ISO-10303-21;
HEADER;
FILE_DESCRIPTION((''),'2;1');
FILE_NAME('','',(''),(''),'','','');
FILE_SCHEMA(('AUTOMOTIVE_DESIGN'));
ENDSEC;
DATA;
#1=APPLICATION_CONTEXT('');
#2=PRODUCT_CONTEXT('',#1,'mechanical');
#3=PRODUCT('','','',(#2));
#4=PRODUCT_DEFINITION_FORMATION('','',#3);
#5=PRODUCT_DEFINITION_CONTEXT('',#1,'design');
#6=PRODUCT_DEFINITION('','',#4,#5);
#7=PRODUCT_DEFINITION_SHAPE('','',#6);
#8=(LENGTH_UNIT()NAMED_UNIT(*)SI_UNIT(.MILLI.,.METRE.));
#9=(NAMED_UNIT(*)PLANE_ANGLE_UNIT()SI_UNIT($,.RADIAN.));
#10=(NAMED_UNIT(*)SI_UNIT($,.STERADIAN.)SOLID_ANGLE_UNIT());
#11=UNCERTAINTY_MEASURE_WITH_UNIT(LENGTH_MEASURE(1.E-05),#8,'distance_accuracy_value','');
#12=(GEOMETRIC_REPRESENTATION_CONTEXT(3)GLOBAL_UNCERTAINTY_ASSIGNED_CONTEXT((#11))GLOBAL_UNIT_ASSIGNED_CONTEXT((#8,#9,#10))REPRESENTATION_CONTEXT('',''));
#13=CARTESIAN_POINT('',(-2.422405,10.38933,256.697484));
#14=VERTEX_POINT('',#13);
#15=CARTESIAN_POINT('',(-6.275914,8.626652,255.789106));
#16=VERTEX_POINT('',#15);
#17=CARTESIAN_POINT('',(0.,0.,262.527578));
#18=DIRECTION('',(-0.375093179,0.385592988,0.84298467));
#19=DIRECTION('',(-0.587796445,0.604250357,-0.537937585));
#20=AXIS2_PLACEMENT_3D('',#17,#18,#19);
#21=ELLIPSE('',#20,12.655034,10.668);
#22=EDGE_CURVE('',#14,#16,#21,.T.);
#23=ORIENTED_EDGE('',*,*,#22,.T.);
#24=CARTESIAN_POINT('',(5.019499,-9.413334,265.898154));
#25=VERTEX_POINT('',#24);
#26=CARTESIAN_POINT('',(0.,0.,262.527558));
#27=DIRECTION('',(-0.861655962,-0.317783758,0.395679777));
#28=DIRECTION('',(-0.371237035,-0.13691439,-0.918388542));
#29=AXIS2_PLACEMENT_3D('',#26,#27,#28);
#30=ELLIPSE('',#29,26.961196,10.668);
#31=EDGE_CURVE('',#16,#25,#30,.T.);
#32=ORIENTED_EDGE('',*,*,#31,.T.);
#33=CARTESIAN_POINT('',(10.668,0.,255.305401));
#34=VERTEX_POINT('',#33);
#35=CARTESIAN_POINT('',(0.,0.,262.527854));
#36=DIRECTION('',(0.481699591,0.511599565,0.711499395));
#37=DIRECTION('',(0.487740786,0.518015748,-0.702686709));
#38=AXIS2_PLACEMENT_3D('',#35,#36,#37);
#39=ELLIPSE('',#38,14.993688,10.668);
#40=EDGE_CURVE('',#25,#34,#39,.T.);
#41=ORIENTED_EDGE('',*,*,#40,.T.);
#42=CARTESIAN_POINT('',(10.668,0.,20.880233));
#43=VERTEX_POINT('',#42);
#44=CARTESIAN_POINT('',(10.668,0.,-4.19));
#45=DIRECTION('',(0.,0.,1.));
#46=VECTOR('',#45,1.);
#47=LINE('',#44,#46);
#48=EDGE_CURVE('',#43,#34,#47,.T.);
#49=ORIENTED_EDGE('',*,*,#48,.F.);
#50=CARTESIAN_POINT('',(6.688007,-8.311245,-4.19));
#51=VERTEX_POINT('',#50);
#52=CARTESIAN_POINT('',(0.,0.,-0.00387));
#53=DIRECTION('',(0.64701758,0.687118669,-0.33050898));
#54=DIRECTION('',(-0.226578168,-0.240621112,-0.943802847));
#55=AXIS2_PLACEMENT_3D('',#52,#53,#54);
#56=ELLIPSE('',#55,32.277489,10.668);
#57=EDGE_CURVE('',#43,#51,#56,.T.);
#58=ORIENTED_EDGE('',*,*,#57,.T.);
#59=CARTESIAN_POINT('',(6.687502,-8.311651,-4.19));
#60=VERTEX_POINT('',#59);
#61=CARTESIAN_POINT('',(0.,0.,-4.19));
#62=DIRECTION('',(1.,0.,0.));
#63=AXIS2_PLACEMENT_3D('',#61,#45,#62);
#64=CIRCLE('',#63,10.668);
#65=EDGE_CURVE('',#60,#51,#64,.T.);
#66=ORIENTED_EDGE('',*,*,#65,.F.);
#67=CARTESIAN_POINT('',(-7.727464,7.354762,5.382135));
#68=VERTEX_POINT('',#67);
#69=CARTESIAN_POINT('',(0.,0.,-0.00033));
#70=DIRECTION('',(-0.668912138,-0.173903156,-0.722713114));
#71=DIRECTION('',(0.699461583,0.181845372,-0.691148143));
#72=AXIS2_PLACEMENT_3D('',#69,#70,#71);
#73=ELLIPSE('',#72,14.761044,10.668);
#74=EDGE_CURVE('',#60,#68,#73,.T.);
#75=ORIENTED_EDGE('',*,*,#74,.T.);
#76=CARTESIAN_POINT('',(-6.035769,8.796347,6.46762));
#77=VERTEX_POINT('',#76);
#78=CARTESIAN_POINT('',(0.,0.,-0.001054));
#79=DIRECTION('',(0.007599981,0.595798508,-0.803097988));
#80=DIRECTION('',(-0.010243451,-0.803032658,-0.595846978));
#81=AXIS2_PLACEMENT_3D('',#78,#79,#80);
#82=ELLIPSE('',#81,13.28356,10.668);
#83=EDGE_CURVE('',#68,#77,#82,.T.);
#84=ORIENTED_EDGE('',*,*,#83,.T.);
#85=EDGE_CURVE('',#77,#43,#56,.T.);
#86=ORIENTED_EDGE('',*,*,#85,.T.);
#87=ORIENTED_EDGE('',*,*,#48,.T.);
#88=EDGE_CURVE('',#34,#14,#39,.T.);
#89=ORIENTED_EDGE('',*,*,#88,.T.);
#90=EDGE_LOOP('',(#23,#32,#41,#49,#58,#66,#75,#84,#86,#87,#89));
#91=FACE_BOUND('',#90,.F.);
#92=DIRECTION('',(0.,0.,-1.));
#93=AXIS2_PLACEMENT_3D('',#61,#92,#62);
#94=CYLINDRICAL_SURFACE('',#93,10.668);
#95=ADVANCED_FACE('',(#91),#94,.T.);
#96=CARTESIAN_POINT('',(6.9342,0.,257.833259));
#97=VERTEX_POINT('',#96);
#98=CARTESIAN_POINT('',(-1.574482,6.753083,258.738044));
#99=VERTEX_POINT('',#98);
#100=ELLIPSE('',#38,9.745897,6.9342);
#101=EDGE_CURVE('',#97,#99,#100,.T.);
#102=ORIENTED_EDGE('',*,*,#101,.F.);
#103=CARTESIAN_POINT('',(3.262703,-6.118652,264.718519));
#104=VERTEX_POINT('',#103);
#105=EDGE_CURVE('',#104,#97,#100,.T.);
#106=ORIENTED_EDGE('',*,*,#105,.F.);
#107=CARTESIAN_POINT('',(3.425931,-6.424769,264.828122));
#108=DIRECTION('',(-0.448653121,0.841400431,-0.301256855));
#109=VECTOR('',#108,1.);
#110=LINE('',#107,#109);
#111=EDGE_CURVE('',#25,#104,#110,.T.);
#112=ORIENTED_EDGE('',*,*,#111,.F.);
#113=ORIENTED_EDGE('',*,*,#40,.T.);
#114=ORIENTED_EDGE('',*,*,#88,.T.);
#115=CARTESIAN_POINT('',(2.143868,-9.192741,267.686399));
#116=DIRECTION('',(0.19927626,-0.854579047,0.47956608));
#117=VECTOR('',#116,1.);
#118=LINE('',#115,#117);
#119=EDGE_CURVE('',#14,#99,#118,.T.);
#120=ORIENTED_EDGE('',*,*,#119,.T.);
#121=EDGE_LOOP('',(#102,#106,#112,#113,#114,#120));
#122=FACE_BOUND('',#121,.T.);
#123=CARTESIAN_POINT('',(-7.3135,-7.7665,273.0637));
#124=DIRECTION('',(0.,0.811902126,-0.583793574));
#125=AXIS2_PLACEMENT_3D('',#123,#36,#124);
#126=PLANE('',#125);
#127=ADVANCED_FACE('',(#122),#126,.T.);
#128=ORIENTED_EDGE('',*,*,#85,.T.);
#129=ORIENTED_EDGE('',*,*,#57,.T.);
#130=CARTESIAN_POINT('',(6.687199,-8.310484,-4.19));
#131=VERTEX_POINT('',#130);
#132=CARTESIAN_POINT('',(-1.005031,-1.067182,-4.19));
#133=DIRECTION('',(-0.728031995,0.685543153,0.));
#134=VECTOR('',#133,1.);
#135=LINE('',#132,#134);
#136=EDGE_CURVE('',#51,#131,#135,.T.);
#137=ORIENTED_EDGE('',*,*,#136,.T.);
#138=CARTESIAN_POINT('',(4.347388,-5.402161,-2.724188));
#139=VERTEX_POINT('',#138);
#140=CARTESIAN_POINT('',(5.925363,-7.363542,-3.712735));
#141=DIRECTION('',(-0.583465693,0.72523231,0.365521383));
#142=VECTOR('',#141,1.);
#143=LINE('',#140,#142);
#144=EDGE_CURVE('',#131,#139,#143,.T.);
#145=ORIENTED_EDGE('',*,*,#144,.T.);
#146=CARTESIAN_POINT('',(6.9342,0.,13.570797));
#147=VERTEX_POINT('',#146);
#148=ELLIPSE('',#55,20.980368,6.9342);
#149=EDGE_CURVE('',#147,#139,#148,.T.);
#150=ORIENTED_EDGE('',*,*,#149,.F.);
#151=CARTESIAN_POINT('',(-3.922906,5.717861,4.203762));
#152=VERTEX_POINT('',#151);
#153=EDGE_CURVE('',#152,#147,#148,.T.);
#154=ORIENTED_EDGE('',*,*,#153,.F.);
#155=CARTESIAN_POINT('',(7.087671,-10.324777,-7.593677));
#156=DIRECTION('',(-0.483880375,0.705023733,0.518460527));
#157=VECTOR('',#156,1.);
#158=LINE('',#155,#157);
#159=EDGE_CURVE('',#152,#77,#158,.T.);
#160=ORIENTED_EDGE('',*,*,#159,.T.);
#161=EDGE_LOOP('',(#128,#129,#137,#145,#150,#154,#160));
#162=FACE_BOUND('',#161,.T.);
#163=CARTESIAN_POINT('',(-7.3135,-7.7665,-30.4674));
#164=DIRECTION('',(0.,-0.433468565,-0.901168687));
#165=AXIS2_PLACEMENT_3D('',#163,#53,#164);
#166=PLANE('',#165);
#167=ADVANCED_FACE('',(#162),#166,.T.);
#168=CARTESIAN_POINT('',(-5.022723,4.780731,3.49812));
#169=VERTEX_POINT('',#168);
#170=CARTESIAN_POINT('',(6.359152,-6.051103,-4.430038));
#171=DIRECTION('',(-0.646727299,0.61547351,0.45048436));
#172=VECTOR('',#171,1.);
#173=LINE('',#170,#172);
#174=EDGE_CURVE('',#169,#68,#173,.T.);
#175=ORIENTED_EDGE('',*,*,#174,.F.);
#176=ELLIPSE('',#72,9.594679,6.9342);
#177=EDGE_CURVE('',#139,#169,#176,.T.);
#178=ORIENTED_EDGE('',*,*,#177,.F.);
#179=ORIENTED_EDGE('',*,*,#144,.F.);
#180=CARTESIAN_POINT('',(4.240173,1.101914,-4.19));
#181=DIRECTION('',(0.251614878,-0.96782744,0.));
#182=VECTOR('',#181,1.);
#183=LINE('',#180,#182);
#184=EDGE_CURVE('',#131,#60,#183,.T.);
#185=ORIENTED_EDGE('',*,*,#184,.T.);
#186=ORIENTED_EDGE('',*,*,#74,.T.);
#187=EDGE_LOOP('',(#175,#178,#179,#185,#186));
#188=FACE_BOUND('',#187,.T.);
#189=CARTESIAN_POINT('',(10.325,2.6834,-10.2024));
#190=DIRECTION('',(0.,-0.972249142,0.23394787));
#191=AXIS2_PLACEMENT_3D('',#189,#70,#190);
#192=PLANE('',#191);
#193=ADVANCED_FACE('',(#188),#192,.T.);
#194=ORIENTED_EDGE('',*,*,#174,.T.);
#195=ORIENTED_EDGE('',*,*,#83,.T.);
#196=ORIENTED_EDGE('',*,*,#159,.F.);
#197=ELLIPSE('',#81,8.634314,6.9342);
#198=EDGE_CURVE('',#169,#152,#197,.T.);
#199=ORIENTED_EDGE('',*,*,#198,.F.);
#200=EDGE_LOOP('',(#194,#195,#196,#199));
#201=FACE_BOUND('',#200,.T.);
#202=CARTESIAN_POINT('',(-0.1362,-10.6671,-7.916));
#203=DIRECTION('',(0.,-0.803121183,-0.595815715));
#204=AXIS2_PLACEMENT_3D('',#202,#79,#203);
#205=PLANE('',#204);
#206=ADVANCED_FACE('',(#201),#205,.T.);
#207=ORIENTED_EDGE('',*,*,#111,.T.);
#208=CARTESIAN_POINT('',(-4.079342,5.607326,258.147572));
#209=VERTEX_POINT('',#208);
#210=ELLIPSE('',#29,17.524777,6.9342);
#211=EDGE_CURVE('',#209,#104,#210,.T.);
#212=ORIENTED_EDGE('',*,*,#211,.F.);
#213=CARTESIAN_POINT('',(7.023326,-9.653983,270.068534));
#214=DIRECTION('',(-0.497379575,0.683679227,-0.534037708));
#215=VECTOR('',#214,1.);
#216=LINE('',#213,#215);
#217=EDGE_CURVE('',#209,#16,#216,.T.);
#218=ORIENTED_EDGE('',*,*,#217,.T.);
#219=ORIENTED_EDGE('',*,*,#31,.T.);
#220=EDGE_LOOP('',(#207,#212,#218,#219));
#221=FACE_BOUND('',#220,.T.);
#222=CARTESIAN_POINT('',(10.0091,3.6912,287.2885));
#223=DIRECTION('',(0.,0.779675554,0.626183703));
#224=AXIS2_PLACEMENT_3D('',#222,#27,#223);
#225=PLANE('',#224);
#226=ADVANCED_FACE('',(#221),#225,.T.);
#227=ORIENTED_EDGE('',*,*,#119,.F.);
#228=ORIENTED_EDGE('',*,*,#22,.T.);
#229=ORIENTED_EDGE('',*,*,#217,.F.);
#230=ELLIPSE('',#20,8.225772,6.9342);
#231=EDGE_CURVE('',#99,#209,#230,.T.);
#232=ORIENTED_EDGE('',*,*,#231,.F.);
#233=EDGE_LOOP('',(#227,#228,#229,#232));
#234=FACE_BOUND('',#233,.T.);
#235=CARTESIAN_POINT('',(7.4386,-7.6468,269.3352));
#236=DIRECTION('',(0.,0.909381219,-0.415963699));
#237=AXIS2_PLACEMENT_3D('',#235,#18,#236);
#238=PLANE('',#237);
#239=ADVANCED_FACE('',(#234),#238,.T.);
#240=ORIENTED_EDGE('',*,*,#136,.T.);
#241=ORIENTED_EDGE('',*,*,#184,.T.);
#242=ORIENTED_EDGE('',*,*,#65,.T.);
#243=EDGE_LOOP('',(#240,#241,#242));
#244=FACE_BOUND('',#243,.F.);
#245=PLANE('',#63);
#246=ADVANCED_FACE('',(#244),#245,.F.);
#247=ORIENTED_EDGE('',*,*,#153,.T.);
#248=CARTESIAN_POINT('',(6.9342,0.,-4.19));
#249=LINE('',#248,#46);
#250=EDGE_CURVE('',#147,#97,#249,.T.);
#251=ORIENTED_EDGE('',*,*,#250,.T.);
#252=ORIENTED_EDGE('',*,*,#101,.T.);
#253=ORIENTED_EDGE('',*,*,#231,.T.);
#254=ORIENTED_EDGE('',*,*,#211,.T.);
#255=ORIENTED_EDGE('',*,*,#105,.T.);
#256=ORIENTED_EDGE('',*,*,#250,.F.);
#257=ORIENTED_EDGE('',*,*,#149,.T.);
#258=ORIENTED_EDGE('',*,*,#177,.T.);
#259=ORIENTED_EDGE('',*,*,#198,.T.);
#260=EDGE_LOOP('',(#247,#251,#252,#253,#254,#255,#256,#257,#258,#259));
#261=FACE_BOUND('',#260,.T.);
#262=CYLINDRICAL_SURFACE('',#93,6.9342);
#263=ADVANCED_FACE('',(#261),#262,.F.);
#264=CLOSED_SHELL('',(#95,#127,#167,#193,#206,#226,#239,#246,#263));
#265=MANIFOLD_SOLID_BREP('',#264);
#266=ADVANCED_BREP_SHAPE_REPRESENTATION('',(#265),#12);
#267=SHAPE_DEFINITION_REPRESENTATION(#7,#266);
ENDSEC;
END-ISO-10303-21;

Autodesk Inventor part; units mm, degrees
ref_plane "Start Plane" through (0, 0, -4.19) normal (0, 0, 1) x (1, 0, 0)
ref_plane "End Plane" through (0, 0, 265.8983) normal (0, 0, 1) x (1, 0, 0)
sketch "Sketch" plane through (0, 0, 0) normal (0, 0, 1) x (1, 0, 0)
  circle A0 centre (0, 0) radius 6.9342
  circle A1 centre (0, 0) radius 10.668
  dimension "d0" = 21.336
  dimension "d1" = 3.7338
extrude "Body" add sketch "Sketch" along normal up to surface (270.0883 mm away) from surface at -4.19
sketch "Sketch3" plane through (0, 0, 0) normal (0, 0, 1) x (1, 0, 0)
  line L0 (0, 0) -> (10, 0)
ref_plane "Work Plane3" through (0, 0, 0) normal (0, -1, 0) x (1, 0, 0)
sketch "Sketch4" plane through (0, 0, 0) normal (0, -1, 0) x (1, 0, 0)
  line L0 (-2, -4.19) -> (12, -4.19)
  line L1 (-2, 265.8983) -> (12, 265.8983)
  dimension "d7" = 270.0883
ref_plane "Work Plane4" through (10.0091, 3.6912, 287.2885) normal (-0.8617, -0.3178, 0.3957) x (0.468, -0.1962, 0.8617)
split "Split1" plane through (10.0091, 3.6912, 287.2885) removes the side toward (-0.8617, -0.3178, 0.3957)
ref_plane "Work Plane5" through (-7.3135, -7.7665, 273.0637) normal (0.4817, 0.5116, 0.7115) x (0.8644, -0.144, -0.4817)
split "Split2" plane through (-7.3135, -7.7665, 273.0637) removes the side toward (0.4817, 0.5116, 0.7115)
ref_plane "Work Plane6" through (7.4386, -7.6468, 269.3352) normal (-0.3751, 0.3856, 0.843) x (0.9237, 0.0785, 0.3751)
split "Split3" plane through (7.4386, -7.6468, 269.3352) removes the side toward (-0.3751, 0.3856, 0.843)
ref_plane "Work Plane7" through (-7.3135, -7.7665, -30.4674) normal (0.647, 0.6871, -0.3305) x (0.3747, -0.664, -0.647)
split "Split4" plane through (-7.3135, -7.7665, -30.4674) removes the side toward (0.647, 0.6871, -0.3305)
ref_plane "Work Plane8" through (-0.1362, -10.6671, -7.916) normal (0.0076, 0.5958, -0.8031) x (0.9997, -0.023, -0.0076)
split "Split5" plane through (-0.1362, -10.6671, -7.916) removes the side toward (0.0076, 0.5958, -0.8031)
ref_plane "Work Plane9" through (10.325, 2.6834, -10.2024) normal (-0.6689, -0.1739, -0.7227) x (-0.6137, -0.4194, 0.6689)
split "Split6" plane through (10.325, 2.6834, -10.2024) removes the side toward (-0.6689, -0.1739, -0.7227)
equation "\"d0\" = G_H"
equation "\"d1\" = G_T"
equation "\"d2\" = G_L"
equation "\"G_H\" = 21.336"
equation "\"G_T\" = 3.7338"
equation "\"G_L\" = 270.08826"
equation "\"G_OFFSET_START\" = 4.18997"
equation "\"G_OFFSET_END\" = 3.36995"
equation "\"d4\" = -G_OFFSET_START"
equation "\"d5\" = G_OFFSET_END + B_L"
equation "\"B_L\" = 262.52833"
properties part number "ANSI - 1/2 x 0.147 - 10.633" material "Steel, Mild"
